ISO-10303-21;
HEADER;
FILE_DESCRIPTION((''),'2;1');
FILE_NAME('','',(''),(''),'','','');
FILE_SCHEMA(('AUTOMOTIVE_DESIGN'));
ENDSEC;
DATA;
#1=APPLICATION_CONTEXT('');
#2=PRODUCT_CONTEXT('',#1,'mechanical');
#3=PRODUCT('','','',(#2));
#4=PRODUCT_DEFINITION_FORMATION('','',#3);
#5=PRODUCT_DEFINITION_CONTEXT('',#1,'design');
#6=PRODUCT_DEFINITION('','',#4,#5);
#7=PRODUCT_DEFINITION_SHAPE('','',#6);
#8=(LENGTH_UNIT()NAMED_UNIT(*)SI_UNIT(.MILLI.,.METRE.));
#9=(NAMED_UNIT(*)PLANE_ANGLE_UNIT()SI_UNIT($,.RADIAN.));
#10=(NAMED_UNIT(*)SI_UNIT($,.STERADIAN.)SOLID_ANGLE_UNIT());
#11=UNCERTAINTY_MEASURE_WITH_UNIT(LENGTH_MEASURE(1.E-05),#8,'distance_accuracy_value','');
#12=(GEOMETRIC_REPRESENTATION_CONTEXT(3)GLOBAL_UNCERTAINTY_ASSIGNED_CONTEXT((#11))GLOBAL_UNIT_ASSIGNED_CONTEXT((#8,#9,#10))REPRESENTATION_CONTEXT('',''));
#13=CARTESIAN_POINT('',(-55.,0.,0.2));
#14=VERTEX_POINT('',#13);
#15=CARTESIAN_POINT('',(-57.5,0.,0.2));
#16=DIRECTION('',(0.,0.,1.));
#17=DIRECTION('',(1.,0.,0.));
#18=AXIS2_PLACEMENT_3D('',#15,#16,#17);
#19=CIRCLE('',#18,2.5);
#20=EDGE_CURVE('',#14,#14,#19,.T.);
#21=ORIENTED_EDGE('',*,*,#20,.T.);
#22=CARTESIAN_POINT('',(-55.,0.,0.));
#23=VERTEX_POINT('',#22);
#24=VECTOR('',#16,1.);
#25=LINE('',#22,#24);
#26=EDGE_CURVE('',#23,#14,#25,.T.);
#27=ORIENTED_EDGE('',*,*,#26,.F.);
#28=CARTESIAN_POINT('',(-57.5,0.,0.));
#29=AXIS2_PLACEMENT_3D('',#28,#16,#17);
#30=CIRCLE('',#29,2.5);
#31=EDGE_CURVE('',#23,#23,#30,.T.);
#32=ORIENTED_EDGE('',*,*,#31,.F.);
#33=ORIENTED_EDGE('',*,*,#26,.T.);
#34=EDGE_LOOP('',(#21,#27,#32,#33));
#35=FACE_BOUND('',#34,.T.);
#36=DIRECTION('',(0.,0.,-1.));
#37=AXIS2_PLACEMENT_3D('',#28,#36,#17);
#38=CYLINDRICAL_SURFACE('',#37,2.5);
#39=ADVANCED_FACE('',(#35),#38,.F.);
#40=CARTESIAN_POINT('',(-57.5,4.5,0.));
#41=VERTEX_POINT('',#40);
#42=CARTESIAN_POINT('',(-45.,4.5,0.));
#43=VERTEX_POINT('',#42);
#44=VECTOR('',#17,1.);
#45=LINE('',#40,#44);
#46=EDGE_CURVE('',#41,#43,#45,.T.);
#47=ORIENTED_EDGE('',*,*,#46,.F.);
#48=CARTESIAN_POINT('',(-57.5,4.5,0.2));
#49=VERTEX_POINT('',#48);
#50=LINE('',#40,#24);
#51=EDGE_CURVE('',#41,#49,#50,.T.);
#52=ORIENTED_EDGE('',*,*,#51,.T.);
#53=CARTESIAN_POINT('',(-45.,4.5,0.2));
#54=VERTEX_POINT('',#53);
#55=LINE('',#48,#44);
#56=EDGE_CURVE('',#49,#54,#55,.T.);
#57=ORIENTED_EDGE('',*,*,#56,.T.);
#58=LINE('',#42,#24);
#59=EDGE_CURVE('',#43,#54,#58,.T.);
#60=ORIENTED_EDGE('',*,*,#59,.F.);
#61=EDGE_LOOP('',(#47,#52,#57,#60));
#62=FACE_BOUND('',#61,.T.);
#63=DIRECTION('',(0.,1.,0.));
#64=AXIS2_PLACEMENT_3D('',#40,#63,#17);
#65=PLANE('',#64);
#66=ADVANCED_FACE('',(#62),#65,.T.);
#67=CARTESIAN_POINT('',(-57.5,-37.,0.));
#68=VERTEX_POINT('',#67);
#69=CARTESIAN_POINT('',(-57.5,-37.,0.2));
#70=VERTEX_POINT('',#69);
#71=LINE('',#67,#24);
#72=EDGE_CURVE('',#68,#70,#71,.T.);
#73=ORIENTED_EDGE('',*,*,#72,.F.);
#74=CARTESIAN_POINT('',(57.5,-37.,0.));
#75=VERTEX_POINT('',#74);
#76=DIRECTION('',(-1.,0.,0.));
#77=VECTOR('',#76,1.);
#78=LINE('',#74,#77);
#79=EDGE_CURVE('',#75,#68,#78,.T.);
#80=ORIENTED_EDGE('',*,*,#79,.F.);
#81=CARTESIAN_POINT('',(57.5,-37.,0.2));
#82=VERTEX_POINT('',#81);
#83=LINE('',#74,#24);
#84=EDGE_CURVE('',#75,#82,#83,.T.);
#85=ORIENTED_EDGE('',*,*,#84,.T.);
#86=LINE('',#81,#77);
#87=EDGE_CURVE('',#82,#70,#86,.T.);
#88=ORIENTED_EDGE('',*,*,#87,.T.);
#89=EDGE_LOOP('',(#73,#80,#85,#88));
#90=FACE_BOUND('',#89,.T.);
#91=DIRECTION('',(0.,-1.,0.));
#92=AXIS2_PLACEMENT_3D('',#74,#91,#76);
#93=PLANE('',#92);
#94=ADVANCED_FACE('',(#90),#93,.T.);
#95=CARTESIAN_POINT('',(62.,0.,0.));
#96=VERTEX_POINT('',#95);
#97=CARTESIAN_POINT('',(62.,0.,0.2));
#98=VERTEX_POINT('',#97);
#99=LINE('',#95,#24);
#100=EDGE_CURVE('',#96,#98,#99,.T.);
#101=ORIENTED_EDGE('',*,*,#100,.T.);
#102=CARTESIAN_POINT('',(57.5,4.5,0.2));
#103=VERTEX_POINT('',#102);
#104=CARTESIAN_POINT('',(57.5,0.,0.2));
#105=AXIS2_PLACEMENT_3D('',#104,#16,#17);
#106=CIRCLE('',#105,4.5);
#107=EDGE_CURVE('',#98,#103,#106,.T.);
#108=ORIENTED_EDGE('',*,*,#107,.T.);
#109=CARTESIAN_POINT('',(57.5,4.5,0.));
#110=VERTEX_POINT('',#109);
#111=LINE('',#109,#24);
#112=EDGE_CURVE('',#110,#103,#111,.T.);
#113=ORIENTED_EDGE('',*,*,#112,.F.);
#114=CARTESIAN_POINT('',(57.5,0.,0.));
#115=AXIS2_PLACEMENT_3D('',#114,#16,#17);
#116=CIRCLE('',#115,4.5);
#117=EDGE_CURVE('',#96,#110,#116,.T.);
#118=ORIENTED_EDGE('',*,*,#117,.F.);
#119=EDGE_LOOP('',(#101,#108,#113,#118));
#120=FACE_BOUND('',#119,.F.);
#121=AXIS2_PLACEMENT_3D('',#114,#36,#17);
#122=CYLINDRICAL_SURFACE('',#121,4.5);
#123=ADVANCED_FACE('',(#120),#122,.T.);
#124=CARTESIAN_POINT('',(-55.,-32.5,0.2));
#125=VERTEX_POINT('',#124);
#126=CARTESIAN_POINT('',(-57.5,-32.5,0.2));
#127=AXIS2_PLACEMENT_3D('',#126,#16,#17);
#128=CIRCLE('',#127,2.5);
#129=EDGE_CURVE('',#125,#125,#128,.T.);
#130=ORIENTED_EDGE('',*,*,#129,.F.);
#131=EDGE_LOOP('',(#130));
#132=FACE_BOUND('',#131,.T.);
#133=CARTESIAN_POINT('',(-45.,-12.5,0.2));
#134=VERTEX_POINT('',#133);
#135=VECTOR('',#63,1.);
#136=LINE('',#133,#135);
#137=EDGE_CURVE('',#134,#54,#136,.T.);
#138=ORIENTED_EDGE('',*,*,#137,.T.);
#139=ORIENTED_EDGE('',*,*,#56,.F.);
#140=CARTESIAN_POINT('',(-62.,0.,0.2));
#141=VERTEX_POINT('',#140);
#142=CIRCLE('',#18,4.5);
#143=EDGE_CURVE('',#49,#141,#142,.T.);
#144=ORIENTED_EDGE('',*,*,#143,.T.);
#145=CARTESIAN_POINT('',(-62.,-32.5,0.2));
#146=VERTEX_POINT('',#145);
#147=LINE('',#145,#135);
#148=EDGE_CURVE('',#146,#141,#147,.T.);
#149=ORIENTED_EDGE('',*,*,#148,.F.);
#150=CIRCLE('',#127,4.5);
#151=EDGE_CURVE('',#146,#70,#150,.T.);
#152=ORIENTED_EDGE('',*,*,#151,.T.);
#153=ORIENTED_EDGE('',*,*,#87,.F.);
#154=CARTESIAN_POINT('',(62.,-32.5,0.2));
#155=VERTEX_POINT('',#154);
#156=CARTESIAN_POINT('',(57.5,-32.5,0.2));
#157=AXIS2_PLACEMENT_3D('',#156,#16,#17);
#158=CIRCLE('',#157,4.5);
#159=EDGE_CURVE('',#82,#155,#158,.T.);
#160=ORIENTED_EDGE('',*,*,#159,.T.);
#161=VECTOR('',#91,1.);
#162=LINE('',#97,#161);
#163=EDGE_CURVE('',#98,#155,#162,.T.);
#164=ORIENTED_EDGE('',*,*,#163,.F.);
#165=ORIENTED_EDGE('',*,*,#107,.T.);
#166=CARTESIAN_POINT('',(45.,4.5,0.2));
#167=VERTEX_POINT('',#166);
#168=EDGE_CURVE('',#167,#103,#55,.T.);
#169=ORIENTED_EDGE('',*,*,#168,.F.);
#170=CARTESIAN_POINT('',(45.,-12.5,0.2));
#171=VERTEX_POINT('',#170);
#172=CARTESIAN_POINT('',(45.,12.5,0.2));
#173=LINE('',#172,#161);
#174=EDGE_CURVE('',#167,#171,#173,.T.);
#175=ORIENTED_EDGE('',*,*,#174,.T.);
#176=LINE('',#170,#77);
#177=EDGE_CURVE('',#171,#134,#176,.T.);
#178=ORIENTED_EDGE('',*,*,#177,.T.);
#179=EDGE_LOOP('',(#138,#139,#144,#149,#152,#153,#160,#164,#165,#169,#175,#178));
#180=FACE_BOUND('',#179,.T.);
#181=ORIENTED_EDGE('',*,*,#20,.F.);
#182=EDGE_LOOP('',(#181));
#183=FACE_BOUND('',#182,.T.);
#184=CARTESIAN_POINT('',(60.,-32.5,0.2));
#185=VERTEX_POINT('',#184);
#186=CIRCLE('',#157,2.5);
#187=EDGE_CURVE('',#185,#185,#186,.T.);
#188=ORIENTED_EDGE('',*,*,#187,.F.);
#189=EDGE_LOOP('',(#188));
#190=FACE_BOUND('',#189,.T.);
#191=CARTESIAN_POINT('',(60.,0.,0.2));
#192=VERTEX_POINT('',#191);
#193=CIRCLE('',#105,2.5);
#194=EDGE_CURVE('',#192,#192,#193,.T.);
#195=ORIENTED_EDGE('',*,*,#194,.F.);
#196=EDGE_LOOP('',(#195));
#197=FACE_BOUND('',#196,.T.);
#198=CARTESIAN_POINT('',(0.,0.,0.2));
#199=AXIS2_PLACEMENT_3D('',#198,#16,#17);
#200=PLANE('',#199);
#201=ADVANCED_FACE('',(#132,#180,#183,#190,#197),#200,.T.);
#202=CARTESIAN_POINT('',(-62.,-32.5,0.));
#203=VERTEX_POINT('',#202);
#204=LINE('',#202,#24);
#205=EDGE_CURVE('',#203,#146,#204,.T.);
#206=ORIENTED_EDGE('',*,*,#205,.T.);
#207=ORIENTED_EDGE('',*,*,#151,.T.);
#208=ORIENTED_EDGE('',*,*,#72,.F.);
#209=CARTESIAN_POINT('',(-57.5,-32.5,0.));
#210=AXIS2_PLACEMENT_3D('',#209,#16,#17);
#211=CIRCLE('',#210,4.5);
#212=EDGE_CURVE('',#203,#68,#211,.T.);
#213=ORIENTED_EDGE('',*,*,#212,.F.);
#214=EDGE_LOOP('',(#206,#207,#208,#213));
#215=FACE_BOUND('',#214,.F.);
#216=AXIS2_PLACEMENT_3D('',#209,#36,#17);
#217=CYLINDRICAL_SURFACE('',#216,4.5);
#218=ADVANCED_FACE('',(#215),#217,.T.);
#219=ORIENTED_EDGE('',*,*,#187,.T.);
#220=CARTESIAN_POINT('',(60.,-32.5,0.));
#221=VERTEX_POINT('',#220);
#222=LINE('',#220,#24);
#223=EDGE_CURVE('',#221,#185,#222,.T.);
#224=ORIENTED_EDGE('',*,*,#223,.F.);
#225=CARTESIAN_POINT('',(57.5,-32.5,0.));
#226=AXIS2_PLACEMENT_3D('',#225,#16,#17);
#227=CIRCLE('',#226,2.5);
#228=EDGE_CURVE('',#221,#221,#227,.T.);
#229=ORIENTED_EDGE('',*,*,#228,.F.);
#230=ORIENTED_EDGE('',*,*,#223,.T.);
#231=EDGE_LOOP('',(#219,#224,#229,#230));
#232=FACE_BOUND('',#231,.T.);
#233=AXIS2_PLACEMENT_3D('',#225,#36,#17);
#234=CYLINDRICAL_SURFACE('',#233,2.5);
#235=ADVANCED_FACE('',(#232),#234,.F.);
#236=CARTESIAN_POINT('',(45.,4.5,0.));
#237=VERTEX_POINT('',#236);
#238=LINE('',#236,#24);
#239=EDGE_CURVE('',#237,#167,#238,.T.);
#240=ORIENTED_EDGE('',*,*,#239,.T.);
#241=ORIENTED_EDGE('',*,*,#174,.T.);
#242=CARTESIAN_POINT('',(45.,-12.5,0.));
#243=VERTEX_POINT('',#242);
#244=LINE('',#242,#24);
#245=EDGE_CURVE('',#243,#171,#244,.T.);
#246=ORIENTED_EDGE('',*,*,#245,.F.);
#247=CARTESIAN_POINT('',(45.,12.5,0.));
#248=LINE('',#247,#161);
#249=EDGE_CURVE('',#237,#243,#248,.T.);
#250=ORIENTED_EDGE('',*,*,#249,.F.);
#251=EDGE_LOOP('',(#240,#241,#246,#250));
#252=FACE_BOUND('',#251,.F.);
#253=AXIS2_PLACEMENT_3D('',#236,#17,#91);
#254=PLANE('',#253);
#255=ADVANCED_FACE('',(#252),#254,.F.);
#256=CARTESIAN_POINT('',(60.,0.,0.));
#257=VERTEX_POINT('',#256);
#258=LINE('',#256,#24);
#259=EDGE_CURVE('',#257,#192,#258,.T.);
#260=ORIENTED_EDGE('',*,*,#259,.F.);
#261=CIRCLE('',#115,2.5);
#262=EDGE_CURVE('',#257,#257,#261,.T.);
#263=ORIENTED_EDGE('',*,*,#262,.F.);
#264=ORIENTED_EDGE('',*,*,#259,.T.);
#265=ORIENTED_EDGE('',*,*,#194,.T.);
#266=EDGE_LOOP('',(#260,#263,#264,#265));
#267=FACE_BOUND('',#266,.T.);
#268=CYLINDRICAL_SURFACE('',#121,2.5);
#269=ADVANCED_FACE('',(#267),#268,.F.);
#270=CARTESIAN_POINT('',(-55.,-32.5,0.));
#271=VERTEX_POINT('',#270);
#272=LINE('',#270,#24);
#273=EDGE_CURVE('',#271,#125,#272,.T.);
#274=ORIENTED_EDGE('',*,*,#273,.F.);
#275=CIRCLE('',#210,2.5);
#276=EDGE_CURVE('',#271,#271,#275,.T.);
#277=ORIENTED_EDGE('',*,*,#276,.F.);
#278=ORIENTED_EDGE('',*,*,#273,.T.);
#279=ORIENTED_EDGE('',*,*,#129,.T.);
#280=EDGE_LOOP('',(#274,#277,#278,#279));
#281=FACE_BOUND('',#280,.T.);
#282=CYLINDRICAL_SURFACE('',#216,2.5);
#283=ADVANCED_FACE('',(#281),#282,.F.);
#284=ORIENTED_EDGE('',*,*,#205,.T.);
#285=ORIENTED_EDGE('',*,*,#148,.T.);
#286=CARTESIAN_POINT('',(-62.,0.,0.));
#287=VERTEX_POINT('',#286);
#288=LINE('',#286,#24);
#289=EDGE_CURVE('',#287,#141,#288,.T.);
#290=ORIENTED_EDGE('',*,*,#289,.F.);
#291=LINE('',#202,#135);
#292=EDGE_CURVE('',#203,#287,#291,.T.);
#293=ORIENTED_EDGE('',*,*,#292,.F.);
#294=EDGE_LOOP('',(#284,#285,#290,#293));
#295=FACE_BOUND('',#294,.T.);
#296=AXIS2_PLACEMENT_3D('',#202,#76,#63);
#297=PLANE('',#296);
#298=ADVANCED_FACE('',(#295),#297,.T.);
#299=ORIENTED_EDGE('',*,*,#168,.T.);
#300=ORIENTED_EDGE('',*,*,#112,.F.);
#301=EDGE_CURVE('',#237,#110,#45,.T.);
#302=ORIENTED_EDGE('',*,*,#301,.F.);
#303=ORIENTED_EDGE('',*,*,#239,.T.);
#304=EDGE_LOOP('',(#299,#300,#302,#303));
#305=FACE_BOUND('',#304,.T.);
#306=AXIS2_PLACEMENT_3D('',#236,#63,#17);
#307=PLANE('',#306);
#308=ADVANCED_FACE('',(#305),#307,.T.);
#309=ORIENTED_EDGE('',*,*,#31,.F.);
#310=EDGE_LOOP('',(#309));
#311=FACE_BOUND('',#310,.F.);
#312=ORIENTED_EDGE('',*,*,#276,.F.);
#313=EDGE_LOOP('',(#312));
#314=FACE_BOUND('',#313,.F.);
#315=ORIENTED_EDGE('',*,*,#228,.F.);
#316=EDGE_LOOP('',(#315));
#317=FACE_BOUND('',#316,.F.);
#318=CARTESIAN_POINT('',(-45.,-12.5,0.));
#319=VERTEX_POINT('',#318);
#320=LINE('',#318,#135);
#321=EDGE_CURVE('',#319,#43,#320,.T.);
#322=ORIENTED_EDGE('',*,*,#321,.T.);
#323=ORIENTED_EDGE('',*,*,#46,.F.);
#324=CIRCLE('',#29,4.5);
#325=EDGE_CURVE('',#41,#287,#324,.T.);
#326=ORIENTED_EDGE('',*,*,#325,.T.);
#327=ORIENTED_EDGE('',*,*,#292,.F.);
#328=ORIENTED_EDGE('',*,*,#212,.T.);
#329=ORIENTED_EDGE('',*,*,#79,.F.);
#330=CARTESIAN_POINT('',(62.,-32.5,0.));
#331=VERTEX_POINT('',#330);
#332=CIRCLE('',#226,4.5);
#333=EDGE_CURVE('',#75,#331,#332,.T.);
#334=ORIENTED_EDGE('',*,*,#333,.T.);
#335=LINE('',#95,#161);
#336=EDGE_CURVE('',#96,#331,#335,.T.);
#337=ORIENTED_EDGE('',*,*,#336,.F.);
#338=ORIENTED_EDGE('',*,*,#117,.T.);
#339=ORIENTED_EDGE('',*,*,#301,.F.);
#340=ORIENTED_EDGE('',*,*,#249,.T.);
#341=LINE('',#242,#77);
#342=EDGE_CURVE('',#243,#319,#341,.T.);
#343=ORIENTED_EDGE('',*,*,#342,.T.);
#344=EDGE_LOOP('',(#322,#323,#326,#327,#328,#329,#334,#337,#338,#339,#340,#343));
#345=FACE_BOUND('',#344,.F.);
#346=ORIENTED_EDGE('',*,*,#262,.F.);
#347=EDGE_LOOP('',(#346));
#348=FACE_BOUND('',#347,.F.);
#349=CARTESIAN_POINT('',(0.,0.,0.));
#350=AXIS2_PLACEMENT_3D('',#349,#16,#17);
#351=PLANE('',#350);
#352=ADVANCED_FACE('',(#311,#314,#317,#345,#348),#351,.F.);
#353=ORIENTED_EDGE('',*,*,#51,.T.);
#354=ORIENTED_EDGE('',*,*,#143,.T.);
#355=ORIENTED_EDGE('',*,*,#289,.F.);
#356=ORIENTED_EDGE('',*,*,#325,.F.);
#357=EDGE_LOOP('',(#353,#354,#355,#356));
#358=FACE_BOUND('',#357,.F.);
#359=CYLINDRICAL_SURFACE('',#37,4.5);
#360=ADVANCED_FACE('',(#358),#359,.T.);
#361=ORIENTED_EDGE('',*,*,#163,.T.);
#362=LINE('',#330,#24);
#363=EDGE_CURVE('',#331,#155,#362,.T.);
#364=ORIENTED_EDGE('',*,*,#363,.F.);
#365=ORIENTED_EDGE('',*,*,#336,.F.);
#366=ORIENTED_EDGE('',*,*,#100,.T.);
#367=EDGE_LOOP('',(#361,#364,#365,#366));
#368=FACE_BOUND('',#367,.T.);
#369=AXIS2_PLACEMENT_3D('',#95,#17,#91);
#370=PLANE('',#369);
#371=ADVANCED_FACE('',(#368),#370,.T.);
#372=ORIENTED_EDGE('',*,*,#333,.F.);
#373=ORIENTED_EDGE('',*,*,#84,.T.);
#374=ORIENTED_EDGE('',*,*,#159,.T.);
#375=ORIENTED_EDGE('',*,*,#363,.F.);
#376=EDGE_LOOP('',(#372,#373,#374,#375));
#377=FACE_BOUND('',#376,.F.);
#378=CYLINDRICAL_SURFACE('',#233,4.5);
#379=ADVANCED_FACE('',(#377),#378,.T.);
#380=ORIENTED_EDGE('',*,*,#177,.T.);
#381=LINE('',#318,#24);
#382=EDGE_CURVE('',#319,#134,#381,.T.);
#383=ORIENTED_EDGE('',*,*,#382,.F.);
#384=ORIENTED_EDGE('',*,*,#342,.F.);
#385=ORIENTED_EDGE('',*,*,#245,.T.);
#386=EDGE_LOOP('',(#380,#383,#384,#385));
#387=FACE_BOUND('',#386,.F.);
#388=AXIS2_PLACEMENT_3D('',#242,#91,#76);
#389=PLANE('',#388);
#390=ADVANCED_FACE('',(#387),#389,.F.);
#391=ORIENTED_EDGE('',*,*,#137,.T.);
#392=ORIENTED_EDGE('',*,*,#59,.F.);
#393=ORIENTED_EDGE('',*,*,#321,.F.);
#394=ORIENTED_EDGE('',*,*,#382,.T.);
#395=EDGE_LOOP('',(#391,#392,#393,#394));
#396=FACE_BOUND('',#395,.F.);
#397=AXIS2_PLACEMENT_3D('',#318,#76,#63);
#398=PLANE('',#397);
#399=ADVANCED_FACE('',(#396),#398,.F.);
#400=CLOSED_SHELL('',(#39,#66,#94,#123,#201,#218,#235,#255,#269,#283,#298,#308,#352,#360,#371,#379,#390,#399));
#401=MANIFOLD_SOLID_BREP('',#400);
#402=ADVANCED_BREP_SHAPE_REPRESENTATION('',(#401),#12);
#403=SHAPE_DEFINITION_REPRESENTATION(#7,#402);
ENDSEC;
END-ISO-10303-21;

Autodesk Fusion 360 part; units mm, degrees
sketch "Sketch1" plane through (0, 0, 0) normal (0, 0, 1) x (1, 0, 0)
  line L0 (0, 0) -> (55, 0) construction
  line L1 (0, 0) -> (-55, 0) construction
  circle A0 centre (-57.5, 0) radius 2.5
  circle A1 centre (57.5, 0) radius 2.5
  line L2 (-57.5, -2.5) -> (-57.5, -30) construction
  line L3 (57.5, -2.5) -> (57.5, -30) construction
  circle A2 centre (57.5, -32.5) radius 2.5
  circle A3 centre (-57.5, -32.5) radius 2.5
  circle A4 centre (57.5, 0) radius 4.5
  circle A5 centre (57.5, -32.5) radius 4.5
  circle A6 centre (-57.5, -32.5) radius 4.5
  circle A7 centre (-57.5, 0) radius 4.5
  line L4 (-57.5, 4.5) -> (57.5, 4.5)
  line L5 (62, 0) -> (62, -32.5)
  line L6 (57.5, -37) -> (-57.5, -37)
  line L7 (-62, -32.5) -> (-62, 0)
  line L8 (45, -12.5) -> (-45, -12.5)
  line L9 (-45, -12.5) -> (-45, 12.5)
  line L10 (-45, 12.5) -> (45, 12.5)
  line L11 (45, 12.5) -> (45, -12.5)
  line L12 (45, -12.5) -> (-45, 12.5) construction
  line L13 (-45, -12.5) -> (45, 12.5) construction
  dimension "d1" = 55
  dimension "d2" = 55
  dimension "d4" = 27.5
  dimension "d5" = 27.5
  dimension "d6" = 5
  dimension "d7" = 5
  dimension "d8" = 9
  dimension "d9" = 9
  dimension "d10" = 9
  dimension "d11" = 9
  dimension "d12" = 90
  dimension "d13" = 25
extrude "Extrude1" add sketch "Sketch1" along normal blind 0.2 contours A4 | A4 A5 A6 A7 L4 L5 L6 L7 L8 L9 L11 | A5 | A6 | A7
equation "d1 = ( 110 / 2 ) * 1 mm"
equation "d2 = ( 110 / 2 ) * 1 mm"
